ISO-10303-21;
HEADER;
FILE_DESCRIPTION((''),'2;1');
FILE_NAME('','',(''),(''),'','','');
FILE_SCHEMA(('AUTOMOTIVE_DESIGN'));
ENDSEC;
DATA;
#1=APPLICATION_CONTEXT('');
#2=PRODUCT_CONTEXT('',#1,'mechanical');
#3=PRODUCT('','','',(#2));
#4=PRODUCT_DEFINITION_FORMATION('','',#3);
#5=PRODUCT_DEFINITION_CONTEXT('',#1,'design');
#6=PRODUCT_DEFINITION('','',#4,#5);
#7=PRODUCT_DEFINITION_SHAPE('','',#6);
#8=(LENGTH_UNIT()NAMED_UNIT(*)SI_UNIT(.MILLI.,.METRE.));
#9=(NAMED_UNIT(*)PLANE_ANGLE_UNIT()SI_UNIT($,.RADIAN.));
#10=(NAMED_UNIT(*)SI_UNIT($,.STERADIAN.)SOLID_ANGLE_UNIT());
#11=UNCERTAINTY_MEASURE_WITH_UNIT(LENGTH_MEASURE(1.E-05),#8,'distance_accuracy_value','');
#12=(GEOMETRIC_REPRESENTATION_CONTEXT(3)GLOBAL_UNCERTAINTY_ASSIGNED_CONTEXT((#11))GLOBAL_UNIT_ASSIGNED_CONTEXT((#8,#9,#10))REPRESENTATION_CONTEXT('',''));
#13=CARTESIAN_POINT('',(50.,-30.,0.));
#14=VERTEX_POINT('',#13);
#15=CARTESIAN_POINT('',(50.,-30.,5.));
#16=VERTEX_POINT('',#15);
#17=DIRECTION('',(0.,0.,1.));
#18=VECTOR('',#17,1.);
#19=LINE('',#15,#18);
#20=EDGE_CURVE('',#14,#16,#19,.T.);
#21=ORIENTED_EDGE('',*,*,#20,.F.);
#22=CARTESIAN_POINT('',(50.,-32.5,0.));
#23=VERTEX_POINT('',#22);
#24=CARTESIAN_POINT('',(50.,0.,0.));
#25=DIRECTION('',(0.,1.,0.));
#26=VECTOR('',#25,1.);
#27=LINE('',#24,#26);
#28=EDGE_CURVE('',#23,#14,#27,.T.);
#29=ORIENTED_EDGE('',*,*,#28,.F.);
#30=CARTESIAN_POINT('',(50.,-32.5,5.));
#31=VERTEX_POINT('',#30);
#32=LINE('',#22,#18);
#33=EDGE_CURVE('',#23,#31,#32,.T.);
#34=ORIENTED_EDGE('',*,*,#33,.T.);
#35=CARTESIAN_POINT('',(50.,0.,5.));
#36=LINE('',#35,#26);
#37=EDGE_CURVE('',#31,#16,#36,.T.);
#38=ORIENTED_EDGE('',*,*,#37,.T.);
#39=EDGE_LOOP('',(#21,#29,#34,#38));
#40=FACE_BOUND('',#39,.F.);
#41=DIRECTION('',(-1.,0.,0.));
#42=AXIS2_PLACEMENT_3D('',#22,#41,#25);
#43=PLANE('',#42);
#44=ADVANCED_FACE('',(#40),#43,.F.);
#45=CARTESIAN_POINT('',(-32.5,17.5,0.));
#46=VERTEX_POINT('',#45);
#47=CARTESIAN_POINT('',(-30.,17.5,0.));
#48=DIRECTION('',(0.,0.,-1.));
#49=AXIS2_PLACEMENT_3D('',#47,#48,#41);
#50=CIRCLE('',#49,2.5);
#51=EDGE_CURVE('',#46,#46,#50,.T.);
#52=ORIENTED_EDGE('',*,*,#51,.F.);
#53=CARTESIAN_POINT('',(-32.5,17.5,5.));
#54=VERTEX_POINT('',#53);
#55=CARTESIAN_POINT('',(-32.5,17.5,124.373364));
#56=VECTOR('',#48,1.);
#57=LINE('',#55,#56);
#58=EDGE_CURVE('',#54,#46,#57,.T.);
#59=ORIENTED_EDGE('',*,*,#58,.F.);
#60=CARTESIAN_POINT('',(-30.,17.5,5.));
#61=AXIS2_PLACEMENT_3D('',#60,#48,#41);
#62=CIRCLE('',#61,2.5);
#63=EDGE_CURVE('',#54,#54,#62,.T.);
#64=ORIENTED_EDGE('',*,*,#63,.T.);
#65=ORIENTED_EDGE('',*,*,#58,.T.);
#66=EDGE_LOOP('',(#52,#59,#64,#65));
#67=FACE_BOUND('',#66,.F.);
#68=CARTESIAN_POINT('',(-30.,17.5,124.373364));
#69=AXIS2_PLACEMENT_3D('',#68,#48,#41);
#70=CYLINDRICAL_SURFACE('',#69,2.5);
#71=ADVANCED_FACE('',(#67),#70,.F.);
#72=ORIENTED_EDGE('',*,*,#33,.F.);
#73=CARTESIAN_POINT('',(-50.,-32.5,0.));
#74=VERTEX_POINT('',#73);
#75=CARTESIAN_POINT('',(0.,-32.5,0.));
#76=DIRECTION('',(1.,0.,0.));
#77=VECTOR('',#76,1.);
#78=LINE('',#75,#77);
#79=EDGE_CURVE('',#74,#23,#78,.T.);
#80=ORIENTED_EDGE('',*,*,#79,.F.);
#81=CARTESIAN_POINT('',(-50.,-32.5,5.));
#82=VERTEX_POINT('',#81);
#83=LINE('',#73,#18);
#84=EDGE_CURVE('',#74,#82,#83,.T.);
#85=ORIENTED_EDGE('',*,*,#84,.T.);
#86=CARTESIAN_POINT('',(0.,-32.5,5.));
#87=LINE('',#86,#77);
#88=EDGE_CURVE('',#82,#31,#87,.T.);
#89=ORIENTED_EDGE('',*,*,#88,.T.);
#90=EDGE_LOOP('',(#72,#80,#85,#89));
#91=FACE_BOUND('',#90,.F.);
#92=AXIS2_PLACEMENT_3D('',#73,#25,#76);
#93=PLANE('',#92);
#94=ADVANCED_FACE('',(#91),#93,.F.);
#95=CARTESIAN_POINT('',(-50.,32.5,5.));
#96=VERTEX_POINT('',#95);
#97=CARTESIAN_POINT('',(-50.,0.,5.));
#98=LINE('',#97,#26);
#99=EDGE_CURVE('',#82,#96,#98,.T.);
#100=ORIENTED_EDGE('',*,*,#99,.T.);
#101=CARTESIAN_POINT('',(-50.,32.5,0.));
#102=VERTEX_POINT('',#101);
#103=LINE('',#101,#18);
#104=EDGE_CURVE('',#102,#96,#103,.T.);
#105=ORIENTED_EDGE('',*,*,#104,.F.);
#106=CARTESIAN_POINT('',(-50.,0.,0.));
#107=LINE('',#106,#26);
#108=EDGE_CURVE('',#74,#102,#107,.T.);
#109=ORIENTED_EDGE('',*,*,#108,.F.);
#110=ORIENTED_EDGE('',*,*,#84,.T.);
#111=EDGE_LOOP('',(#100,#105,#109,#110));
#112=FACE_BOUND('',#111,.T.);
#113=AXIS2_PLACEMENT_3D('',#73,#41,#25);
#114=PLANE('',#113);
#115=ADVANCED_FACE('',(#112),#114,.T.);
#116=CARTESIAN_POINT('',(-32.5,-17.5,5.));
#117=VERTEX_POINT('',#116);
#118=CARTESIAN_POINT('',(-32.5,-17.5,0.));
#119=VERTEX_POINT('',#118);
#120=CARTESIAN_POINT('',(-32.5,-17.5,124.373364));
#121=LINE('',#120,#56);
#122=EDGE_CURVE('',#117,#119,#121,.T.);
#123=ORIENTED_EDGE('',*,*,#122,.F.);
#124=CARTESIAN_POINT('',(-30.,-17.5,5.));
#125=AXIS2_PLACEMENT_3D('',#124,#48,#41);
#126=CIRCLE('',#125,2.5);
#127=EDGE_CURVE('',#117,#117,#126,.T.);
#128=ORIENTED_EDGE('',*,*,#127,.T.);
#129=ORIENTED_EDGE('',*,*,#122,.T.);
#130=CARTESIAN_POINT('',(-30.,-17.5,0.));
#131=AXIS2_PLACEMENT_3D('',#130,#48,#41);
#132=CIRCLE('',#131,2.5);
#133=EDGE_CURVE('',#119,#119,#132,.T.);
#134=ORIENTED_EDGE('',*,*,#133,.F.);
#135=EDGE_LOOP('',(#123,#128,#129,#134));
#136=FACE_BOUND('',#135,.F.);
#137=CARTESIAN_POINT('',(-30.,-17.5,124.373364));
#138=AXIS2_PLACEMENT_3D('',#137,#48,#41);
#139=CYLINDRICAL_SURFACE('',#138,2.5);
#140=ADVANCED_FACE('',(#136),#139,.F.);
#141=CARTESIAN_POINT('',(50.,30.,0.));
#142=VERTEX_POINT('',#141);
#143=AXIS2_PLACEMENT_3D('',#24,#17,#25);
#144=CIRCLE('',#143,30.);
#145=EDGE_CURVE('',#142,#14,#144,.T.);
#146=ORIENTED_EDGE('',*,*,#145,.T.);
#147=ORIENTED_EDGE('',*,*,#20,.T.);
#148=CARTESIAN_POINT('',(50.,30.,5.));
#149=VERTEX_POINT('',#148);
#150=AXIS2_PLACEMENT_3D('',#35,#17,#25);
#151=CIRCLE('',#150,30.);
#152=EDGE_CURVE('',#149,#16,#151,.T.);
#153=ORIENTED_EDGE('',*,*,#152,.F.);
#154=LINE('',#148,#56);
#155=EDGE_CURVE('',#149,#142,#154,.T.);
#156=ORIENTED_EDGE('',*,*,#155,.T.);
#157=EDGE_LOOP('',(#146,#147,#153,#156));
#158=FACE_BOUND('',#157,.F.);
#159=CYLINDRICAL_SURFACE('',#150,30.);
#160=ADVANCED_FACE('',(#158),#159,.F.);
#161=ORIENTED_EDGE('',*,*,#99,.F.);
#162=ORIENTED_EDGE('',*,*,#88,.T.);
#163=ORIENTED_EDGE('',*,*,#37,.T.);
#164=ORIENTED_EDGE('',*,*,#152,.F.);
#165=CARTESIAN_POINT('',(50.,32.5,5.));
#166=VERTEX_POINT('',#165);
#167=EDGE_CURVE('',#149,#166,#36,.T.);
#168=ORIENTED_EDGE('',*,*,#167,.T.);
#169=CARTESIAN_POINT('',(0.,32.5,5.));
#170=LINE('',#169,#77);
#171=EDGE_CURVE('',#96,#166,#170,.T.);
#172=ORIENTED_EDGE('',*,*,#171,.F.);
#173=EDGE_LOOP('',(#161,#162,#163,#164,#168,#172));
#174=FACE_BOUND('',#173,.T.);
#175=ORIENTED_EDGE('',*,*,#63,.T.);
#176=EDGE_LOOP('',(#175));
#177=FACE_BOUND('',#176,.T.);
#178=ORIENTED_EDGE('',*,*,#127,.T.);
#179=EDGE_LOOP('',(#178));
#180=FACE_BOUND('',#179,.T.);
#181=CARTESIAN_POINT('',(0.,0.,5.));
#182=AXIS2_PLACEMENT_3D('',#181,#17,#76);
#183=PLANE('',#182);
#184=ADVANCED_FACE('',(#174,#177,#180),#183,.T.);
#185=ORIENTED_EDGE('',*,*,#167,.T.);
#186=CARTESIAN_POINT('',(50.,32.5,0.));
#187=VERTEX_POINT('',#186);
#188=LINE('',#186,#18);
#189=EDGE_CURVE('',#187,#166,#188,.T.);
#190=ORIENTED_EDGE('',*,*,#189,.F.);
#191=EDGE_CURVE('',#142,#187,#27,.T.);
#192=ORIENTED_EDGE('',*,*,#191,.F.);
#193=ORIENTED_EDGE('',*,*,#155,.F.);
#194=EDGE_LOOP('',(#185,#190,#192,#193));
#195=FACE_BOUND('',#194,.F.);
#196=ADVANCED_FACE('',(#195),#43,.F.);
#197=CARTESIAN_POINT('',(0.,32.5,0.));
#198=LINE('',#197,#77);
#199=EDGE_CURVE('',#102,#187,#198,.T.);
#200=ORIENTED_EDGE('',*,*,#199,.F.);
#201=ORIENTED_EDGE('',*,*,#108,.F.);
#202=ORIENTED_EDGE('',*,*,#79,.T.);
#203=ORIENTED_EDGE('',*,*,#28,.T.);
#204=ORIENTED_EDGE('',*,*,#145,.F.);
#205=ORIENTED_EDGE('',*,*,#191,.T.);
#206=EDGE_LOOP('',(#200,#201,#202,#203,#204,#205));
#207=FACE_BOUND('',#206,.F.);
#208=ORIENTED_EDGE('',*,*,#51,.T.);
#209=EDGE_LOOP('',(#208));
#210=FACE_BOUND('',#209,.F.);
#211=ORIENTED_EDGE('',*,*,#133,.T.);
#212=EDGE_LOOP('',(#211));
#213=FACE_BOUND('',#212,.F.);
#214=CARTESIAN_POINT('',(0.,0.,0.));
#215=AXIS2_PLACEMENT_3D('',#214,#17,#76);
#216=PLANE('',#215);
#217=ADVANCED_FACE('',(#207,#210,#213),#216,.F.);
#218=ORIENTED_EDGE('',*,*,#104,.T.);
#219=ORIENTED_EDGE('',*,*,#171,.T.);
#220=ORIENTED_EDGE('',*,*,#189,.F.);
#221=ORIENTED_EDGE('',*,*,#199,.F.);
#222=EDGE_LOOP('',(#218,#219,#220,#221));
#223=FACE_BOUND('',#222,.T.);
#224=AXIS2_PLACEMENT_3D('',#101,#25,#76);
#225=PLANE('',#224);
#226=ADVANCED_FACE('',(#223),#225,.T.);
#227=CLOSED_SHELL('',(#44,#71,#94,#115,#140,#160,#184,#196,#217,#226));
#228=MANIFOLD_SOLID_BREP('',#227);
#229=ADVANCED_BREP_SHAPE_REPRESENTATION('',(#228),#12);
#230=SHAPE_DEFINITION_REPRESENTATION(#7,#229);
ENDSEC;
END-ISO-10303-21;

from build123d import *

# Parameters (mm, degrees)
F4_W     = 100
F4_H     = 65
F0_DEPTH = 5
F2_DEPTH = 5.001
F5_D     = 5


with BuildPart() as f0:
    # F4 (on Top) → F0 (new body)
    with BuildSketch(Plane.XY):
        Rectangle(F4_W, F4_H)
    extrude(amount=F0_DEPTH)

    # F1 (on face) → F2 (cut, through all)
    with BuildSketch(Plane.XY.offset(5)):
        with BuildLine():
            ThreePointArc((50, -30), (71.2132034356, -21.2132034356), (80, 0))
            ThreePointArc((80, 0), (71.2132034356, 21.2132034356), (50, 30))
            Line((50, 30), (50, -30))
        make_face()
        with BuildLine():
            Line((50, -30), (50, 30))
            ThreePointArc((50, 30), (20, 0), (50, -30))
        make_face()
    extrude(amount=-F2_DEPTH, mode=Mode.SUBTRACT)

    # F5 (through all)
    with Locations(Plane.XY.offset(5)):
        with Locations((-30, 17.5), (-30, -17.5)):
            Hole(F5_D / 2)


solid = f0.part
